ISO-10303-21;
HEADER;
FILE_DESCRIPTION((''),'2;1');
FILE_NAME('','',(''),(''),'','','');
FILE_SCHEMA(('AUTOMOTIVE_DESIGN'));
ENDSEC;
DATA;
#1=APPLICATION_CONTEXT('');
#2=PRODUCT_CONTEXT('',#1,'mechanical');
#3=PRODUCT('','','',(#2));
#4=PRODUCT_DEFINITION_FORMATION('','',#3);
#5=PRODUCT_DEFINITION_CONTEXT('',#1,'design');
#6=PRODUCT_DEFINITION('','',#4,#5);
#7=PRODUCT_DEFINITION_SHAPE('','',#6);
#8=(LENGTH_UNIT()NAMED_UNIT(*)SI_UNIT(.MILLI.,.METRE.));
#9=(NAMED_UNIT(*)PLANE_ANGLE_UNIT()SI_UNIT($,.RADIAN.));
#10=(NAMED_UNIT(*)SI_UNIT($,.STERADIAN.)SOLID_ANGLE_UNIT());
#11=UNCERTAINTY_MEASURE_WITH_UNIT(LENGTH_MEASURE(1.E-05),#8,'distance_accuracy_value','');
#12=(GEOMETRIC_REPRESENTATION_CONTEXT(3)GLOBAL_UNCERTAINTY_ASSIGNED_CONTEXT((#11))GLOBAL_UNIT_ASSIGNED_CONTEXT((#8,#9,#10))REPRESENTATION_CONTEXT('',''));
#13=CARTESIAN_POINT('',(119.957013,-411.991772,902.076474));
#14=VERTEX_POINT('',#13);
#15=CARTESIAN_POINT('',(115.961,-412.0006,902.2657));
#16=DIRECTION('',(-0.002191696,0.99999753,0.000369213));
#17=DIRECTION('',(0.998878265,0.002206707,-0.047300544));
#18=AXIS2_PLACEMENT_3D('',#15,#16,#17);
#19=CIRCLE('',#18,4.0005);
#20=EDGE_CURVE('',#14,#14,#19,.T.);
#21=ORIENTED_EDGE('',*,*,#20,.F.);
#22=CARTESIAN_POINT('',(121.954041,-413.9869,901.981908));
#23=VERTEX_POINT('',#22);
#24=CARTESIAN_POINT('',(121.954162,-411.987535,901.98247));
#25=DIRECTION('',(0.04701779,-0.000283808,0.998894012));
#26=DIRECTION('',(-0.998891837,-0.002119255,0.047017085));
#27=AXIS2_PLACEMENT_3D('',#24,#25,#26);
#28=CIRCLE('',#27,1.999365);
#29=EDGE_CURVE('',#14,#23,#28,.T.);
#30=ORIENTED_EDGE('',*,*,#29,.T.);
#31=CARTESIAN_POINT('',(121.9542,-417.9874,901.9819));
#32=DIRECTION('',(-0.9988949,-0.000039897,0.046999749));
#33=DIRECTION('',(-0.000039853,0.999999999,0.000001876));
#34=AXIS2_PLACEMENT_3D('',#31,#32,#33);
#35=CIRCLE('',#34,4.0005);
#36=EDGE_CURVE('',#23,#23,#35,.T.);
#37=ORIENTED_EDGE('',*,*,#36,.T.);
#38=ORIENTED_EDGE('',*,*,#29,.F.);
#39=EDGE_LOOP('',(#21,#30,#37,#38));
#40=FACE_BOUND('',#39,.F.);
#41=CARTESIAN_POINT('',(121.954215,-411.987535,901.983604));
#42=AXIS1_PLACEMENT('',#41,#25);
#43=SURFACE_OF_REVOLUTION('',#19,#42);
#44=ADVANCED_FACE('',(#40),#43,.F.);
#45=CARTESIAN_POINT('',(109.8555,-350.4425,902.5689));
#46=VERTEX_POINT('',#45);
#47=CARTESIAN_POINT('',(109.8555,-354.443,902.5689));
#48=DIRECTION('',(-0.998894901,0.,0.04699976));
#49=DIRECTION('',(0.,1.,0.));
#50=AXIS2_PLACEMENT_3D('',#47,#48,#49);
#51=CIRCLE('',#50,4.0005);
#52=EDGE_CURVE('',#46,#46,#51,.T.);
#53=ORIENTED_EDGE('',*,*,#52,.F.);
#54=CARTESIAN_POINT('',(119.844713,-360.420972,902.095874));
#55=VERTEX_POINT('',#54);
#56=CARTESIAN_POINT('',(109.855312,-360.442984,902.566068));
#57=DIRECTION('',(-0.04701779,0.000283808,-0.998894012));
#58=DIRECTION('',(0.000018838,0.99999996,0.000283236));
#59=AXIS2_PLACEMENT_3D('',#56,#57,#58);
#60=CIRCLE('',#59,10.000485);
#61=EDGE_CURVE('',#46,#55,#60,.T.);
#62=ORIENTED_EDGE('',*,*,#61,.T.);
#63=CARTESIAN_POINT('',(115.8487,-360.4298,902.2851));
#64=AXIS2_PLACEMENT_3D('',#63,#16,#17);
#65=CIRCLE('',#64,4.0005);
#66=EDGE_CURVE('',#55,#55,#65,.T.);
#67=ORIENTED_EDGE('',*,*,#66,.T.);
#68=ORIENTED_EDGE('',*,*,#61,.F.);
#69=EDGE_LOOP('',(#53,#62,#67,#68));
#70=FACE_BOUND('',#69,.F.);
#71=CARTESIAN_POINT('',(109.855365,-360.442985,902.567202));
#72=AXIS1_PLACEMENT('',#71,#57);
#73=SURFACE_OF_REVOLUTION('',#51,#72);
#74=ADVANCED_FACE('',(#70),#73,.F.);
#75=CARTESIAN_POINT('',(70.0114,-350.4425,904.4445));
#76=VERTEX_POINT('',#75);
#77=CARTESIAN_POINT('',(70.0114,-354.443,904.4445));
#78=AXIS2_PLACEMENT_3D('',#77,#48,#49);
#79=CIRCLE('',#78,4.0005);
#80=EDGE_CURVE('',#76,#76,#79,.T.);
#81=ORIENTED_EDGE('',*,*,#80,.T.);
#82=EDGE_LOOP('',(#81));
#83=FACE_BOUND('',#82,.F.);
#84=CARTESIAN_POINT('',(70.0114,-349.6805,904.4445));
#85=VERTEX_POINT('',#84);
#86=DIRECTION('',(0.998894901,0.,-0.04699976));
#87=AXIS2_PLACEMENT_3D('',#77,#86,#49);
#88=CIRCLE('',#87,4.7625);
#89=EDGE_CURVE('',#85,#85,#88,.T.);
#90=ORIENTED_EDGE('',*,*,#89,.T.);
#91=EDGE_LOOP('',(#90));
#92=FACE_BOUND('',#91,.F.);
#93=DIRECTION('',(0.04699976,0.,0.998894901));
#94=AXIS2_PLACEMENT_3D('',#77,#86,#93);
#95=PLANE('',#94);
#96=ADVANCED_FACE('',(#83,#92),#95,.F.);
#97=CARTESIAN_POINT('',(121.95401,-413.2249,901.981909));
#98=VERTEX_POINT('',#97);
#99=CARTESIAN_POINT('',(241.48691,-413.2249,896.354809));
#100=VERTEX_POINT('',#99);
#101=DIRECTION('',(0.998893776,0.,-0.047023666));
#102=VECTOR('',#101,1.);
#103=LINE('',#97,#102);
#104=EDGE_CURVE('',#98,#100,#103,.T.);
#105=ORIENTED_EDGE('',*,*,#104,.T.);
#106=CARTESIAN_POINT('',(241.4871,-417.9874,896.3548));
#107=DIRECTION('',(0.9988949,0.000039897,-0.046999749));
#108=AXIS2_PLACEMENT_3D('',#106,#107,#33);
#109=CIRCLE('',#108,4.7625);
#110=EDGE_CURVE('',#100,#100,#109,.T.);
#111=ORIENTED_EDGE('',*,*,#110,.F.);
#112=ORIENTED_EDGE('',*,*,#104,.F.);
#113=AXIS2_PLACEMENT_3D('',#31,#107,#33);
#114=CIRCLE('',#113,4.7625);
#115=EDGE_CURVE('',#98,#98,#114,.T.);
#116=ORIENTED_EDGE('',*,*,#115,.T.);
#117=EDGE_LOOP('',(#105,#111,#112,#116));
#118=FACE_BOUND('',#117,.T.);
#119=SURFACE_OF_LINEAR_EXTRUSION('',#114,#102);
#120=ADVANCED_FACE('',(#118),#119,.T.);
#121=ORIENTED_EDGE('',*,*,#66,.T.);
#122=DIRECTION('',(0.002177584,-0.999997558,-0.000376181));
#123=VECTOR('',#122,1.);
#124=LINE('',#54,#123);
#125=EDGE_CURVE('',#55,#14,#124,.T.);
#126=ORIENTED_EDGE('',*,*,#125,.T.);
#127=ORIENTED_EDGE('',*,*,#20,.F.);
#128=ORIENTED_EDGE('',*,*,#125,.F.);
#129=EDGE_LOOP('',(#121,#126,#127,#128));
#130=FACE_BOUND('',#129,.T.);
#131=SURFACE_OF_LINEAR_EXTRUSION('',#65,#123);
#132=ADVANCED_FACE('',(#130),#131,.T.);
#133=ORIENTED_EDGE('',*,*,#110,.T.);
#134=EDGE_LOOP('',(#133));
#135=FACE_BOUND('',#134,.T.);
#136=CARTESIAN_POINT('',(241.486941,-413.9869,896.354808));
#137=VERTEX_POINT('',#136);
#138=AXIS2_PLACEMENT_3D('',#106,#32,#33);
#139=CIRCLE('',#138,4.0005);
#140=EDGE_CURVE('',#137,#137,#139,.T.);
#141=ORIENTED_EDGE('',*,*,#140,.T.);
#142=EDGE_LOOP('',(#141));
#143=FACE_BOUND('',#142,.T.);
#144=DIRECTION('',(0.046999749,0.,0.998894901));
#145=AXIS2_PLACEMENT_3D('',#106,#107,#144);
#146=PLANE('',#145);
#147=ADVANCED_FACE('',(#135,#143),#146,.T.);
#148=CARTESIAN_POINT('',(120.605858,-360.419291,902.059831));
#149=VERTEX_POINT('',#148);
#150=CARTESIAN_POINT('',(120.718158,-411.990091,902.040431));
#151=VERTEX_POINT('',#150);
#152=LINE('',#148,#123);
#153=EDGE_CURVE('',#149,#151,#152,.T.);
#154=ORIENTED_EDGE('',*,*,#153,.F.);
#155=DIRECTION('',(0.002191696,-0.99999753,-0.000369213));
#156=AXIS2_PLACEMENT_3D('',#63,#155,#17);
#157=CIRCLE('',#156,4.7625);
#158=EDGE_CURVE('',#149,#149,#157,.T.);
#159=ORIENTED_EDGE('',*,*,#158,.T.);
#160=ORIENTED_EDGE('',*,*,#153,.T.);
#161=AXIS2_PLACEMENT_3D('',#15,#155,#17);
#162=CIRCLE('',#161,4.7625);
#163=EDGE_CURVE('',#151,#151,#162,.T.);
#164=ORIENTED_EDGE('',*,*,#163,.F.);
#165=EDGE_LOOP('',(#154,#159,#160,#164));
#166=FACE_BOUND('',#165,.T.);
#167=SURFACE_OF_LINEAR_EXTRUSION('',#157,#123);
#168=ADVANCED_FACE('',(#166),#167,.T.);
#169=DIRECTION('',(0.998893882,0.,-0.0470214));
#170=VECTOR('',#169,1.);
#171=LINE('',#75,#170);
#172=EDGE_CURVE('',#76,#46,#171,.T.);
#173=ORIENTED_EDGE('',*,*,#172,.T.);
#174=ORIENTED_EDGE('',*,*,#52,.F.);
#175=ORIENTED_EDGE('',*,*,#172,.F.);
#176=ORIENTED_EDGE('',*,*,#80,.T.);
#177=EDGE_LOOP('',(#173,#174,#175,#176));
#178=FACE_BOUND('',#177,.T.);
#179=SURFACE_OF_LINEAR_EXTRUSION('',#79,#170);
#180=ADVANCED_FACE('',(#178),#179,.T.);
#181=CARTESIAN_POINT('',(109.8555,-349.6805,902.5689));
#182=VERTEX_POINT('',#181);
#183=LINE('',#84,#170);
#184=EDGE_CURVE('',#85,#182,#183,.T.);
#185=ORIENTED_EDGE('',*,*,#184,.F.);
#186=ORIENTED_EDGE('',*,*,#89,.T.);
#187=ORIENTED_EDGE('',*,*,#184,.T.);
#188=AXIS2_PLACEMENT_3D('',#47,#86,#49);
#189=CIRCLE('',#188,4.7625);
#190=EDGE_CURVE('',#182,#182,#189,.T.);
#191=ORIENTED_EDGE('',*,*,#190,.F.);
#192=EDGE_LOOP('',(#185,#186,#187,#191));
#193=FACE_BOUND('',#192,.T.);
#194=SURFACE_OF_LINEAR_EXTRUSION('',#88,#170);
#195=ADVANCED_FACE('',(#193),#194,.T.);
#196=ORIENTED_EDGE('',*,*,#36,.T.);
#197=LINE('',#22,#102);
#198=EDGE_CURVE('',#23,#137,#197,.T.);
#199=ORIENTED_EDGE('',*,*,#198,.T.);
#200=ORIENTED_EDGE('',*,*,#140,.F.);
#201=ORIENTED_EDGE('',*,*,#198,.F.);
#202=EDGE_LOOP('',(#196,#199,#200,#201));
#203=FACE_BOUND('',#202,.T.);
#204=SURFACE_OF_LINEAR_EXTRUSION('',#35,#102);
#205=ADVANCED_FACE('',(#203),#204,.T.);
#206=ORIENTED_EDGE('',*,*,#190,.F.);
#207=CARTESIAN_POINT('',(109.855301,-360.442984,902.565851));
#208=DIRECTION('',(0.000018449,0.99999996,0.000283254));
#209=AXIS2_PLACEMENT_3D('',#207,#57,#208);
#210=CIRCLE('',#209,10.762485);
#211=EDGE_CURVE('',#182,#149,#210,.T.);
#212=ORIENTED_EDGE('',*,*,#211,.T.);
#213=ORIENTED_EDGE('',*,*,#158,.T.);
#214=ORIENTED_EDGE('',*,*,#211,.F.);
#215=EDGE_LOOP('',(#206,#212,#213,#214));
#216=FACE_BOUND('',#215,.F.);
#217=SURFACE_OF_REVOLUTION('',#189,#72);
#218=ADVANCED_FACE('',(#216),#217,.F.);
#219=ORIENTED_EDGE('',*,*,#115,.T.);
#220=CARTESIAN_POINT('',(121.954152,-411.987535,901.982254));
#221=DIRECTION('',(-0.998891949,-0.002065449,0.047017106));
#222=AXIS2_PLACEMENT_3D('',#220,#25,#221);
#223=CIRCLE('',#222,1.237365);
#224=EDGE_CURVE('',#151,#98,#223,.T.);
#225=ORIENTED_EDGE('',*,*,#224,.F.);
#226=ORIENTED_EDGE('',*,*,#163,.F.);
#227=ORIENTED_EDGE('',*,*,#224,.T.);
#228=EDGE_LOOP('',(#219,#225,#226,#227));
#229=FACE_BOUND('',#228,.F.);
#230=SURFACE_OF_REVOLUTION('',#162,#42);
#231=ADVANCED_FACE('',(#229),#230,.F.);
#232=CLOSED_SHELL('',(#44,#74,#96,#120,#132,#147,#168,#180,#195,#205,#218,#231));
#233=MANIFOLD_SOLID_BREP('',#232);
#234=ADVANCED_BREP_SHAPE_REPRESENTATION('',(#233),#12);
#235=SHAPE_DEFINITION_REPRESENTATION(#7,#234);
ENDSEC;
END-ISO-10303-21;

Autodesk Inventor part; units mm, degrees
ref_plane "YZ Plane" through (0, 0, 0) normal (1, 0, 0) x (0, 1, 0)
ref_plane "XZ Plane" through (0, 0, 0) normal (0, 1, 0) x (-1, 0, 0)
ref_plane "Work Plane4" through (70.0114, -354.443, 904.4445) normal (0.9989, 0, -0.047) x (0, 1, 0)
sketch "Sketch6" plane through (70.0114, -354.443, 904.4445) normal (0.9989, 0, -0.047) x (0, 1, 0)
  circle A0 centre (0, 0) radius 4.7625
  circle A1 centre (0, 0) radius 4.0005
sketch3d "3D Sketch4"
  line L0 (70.0114, -354.443, 904.4445) -> (109.8555, -354.443, 902.5689)
  arc A0 (109.8555, -354.443, 902.5689) -> (115.8487, -360.4298, 902.2851) centre (109.8554, -360.4429, 902.5672) ccw
  line L1 (115.8487, -360.4298, 902.2851) -> (115.961, -412.0006, 902.2657)
  arc A1 (115.961, -412.0006, 902.2657) -> (121.9542, -417.9874, 901.9819) centre (121.9543, -411.9875, 901.9836) ccw
  line L2 (121.9542, -417.9874, 901.9819) -> (241.4871, -417.9874, 896.3548)
  dimension "d16" = 5.9999
  dimension "d17" = 5.9999
sweep "Sweep4" add profiles "Sketch6" path "3D Sketch4"
equation "\"OD\" = 9.525"
equation "\"t\" = 0.762"
equation "\"L\" = PL"
equation "\"ID\" = 8.001"
equation "\"PL\" = 229.9462"
equation "\"Size_Designation\" = 1.2345"
properties material "Copper"
